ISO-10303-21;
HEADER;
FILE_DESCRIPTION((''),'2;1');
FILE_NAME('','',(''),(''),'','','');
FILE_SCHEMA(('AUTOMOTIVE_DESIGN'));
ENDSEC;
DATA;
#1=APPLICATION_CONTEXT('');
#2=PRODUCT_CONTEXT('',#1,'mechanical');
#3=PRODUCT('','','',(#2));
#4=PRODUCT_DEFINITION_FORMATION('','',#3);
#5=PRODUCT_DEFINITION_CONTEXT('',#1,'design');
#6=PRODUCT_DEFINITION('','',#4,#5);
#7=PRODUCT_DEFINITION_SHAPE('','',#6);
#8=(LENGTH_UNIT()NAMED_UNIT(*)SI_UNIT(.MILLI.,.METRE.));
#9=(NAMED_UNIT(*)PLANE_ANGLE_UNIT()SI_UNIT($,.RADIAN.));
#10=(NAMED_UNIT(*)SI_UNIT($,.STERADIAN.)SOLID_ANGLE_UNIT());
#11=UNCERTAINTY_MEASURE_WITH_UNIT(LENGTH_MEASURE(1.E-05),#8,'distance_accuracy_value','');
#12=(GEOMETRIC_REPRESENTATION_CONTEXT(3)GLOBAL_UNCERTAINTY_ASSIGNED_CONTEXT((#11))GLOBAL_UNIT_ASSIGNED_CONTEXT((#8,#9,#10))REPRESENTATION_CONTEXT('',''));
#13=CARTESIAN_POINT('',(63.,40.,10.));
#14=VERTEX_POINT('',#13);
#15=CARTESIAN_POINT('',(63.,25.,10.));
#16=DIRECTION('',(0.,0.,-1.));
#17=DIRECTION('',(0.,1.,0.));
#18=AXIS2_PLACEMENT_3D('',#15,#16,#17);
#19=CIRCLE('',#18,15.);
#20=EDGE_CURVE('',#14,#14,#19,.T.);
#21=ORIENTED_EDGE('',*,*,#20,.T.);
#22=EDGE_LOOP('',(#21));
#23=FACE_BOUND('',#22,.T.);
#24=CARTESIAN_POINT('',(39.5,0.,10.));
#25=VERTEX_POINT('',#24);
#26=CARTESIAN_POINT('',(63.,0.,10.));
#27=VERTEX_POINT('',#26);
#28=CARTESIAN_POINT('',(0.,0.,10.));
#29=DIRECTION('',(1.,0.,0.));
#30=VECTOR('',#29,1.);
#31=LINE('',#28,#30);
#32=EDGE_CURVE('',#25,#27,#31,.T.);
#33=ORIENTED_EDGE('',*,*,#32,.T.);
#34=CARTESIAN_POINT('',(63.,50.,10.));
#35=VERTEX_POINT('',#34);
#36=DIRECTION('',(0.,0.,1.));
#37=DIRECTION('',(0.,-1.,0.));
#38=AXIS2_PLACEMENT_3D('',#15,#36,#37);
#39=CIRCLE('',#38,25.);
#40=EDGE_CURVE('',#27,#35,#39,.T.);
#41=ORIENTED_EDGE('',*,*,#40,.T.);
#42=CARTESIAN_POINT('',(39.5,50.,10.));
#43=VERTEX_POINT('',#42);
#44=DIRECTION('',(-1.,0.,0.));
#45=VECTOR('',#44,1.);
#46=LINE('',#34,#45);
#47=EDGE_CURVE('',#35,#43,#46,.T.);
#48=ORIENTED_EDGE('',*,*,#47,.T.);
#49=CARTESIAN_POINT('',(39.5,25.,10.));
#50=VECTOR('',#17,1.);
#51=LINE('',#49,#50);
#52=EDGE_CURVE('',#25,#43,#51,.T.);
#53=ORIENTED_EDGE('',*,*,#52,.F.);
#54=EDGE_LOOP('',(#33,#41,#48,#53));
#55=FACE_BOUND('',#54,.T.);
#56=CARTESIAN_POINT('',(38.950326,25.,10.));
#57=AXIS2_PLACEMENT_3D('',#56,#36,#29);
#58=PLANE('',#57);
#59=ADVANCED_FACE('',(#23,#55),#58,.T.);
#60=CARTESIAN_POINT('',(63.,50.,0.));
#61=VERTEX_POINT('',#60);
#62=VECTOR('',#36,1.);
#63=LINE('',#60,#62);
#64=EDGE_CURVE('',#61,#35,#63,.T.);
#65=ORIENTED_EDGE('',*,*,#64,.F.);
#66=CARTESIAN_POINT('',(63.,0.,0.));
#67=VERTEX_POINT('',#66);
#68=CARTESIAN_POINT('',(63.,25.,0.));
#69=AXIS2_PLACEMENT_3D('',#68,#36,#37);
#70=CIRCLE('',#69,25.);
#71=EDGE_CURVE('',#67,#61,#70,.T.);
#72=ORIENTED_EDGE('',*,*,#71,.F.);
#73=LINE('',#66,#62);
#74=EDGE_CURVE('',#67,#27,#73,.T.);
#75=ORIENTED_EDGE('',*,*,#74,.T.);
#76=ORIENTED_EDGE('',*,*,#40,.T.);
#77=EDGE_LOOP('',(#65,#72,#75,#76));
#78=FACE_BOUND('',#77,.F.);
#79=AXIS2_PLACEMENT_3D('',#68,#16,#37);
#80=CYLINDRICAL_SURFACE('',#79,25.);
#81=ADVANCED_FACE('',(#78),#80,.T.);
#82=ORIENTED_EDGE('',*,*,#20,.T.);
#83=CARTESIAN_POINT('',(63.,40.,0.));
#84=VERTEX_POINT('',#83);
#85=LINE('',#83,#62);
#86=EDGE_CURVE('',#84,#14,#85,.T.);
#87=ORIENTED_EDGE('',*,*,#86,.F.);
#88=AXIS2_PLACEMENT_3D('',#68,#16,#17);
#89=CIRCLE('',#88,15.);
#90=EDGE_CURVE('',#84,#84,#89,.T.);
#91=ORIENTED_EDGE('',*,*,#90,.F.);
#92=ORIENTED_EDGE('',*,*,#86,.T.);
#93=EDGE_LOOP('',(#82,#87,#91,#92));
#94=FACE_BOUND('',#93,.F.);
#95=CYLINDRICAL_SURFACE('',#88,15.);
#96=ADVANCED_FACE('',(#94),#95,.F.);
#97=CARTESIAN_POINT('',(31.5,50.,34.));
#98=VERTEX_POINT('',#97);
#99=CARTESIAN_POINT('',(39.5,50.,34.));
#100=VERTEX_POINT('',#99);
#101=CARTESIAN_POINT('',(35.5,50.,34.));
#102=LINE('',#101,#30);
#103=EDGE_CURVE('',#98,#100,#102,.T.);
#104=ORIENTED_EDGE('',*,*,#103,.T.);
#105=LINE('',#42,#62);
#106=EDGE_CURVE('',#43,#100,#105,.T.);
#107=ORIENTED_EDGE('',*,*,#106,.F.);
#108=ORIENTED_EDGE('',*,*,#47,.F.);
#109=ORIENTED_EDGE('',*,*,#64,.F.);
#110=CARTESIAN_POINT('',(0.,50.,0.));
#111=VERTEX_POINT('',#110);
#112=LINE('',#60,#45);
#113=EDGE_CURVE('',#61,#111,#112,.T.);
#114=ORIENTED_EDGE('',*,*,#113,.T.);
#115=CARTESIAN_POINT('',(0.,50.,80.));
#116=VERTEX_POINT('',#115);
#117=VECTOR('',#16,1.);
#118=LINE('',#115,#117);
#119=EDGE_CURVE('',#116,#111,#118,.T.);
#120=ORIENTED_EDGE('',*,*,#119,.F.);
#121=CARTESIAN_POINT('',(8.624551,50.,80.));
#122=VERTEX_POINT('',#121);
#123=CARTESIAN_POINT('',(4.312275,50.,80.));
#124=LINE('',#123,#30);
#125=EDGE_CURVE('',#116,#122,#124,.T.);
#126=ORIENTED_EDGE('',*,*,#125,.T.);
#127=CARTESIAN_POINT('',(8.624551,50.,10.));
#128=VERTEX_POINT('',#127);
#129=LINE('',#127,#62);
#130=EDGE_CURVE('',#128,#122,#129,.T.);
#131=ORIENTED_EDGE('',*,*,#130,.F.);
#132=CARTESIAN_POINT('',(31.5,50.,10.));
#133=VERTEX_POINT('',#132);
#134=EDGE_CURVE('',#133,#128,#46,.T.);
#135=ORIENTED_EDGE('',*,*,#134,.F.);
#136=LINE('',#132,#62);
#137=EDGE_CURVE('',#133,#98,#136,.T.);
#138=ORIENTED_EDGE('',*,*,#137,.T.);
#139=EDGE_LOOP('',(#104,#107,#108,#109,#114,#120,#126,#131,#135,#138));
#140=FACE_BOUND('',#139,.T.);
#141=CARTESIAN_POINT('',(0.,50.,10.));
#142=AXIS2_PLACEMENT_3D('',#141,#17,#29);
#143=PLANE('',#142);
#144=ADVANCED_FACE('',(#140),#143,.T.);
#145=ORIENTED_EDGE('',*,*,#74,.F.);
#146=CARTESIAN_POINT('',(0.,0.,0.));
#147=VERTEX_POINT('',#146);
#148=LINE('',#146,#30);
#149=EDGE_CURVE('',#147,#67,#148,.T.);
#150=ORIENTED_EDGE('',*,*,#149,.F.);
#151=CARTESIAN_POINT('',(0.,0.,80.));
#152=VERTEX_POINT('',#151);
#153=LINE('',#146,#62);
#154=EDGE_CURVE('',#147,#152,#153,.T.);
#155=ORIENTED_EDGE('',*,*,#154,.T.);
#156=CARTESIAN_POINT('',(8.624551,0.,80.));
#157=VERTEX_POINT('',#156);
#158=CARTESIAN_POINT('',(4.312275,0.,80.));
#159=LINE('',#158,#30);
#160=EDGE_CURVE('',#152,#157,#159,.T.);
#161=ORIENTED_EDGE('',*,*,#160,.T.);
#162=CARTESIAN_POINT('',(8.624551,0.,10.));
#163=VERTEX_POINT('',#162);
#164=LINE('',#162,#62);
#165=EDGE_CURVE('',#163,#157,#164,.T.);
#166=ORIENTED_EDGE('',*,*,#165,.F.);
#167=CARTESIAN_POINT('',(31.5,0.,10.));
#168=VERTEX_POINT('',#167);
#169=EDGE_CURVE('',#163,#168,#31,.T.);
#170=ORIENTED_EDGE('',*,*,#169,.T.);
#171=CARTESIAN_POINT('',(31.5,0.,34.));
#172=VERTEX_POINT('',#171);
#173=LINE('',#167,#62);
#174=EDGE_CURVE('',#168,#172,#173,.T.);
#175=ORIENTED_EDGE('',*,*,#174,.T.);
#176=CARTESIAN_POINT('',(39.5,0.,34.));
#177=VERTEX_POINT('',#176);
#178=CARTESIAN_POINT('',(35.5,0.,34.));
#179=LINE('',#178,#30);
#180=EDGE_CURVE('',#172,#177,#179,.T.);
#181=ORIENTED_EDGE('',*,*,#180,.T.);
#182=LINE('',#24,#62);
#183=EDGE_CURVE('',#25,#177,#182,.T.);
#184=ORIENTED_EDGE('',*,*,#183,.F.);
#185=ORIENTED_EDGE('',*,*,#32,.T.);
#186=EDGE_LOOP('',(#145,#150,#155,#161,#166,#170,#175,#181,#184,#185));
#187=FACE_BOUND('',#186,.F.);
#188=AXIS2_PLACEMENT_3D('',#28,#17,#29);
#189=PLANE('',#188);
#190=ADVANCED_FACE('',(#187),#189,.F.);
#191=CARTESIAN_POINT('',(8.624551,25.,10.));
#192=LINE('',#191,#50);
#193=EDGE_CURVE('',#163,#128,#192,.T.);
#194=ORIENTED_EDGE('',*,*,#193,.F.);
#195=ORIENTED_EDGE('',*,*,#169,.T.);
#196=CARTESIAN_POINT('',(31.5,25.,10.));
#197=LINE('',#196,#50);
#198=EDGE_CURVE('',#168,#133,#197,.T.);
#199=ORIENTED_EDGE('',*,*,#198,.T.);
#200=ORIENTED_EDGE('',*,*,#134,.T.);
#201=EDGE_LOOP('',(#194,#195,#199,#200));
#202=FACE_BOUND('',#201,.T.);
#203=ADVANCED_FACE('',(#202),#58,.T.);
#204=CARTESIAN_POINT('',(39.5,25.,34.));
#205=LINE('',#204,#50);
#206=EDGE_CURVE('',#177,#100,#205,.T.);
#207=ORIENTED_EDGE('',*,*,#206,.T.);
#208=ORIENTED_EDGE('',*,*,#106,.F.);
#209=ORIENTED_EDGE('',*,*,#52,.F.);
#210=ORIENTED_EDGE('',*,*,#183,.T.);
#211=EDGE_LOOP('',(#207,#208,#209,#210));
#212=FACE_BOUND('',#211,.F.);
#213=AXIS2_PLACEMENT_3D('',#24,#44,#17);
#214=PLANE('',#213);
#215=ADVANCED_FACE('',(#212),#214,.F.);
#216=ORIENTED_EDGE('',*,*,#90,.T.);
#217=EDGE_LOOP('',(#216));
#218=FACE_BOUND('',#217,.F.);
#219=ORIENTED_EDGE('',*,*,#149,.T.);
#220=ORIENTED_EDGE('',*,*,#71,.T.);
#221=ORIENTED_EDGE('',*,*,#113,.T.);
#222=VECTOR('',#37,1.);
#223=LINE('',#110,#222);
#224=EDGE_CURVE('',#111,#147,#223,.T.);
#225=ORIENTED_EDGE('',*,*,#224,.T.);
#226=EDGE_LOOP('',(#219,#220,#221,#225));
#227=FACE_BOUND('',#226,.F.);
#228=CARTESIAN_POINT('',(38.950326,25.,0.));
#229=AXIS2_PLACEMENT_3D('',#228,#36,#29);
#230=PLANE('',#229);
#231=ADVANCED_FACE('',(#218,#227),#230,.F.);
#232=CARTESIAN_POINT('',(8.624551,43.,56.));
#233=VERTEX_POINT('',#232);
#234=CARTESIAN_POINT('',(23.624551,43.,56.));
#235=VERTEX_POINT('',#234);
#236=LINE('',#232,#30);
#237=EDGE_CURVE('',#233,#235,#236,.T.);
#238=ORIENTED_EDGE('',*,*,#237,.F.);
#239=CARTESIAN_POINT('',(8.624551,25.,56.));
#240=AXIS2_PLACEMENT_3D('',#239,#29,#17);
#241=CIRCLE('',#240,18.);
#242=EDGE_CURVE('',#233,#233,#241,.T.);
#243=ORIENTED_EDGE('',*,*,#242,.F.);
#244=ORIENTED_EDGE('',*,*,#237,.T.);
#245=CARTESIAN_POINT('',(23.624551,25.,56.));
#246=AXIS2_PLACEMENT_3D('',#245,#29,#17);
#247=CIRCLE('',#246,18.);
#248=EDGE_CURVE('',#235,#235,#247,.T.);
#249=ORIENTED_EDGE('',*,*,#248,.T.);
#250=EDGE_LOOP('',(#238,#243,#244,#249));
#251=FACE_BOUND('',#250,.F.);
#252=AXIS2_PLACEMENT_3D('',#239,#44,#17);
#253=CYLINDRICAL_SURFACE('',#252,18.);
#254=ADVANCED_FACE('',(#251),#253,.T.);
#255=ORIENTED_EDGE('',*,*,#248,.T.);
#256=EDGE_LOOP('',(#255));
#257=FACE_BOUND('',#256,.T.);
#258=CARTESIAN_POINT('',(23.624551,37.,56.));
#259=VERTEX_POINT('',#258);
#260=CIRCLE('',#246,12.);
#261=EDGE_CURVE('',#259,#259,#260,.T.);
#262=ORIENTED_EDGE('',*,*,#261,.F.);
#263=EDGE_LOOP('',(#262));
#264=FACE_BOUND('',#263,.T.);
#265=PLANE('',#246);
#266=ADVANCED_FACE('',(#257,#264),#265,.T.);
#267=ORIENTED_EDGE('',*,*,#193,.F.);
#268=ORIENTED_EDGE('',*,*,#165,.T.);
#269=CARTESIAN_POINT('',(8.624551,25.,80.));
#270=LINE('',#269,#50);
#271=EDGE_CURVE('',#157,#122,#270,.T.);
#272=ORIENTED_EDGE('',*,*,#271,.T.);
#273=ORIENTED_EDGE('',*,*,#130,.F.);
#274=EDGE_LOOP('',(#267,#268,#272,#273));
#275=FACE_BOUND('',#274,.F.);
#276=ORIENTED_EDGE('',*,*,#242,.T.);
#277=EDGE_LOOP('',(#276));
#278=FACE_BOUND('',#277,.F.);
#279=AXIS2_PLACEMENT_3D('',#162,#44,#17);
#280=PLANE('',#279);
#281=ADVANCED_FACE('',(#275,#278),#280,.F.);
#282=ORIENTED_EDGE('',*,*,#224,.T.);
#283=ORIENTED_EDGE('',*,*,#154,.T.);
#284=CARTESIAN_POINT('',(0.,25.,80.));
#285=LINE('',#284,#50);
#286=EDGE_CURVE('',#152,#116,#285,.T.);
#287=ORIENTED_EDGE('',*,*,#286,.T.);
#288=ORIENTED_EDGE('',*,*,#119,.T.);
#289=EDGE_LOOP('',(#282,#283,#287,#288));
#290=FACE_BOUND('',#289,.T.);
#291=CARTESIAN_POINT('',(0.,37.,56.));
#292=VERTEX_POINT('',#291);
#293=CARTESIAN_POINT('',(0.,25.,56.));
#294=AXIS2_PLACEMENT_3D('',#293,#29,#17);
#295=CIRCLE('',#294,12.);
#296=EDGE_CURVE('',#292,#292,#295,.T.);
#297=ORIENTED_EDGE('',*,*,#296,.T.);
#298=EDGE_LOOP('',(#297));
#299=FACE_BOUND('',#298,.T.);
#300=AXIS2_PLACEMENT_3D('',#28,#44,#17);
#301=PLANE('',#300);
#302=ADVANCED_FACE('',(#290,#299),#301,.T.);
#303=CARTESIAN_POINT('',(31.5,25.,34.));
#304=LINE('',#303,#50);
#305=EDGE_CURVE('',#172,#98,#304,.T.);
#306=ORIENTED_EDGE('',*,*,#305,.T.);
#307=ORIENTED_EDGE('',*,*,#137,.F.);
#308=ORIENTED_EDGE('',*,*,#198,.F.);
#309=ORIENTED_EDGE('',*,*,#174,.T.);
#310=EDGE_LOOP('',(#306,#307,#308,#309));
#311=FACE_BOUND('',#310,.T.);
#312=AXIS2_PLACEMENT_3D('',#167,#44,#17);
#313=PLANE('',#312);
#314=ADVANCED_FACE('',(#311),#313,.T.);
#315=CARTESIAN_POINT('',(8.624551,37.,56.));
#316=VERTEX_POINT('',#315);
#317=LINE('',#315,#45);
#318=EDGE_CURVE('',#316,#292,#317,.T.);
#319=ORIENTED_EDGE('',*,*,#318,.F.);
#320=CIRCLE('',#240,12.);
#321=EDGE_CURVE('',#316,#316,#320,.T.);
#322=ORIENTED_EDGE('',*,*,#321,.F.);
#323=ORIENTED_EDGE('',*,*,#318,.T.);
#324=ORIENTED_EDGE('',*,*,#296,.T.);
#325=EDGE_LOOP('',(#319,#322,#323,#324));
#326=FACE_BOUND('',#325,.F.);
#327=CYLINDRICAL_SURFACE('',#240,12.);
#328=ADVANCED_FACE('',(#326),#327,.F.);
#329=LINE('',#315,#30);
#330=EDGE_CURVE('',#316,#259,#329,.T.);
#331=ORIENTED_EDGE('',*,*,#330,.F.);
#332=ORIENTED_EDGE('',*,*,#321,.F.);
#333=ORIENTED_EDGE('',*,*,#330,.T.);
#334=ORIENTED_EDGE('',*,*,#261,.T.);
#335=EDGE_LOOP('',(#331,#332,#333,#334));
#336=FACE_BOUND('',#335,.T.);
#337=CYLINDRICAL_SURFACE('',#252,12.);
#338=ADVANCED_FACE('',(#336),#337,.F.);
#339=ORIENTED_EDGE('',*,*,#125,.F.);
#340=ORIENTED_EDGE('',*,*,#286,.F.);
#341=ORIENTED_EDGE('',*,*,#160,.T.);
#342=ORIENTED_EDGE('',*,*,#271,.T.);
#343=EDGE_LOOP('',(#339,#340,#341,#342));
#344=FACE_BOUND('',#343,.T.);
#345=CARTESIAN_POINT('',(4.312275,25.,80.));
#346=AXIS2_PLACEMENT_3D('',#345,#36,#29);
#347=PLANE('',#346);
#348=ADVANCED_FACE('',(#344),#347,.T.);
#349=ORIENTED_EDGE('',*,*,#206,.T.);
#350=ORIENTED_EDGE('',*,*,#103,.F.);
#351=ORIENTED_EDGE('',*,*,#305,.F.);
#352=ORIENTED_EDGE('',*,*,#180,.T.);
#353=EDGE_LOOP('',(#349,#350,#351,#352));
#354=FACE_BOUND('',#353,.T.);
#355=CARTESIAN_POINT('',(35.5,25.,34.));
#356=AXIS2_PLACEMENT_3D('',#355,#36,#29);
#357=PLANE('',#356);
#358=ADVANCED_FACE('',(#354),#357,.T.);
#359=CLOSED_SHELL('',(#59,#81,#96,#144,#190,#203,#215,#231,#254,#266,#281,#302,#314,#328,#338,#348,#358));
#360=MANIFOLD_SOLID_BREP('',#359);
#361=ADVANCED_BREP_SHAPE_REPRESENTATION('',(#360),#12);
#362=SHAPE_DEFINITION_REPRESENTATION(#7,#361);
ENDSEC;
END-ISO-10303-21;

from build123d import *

# Parameters (mm, degrees)
F1_DEPTH = 10
F2_W     = 8
F2_H     = 50
F3_DEPTH = 24
F4_W     = 8.6245508865
F4_H     = 50
F5_DEPTH = 70
F6_R     = 18
F6_R_2   = 12
F7_DEPTH = 15
F8_R     = 12
F9_DEPTH = 8.6245508865


with BuildPart() as f1:
    # F0 (on Top) → F1 (new body)
    with BuildSketch(Plane.XY):
        with BuildLine():
            Line((0, 50), (0, 0))
            Line((0, 0), (63, 0))
            ThreePointArc((63, 0), (88, 25), (63, 50))
            Line((63, 50), (0, 50))
        make_face()
        with BuildLine():
            ThreePointArc((78, 25), (52.3933982822, 14.3933982822), (63, 40))
            ThreePointArc((63, 40), (73.6066017178, 35.6066017178), (78, 25))
        make_face(mode=Mode.SUBTRACT)
    extrude(amount=F1_DEPTH)

    # F2 (on face) → F3 (join)
    with BuildSketch(Plane.XY.offset(10)):
        with Locations((35.5, 25)):
            Rectangle(F2_W, F2_H)
    extrude(amount=F3_DEPTH)

    # F4 (on face) → F5 (join)
    with BuildSketch(Plane.XY.offset(10)):
        with Locations((4.3122754432, 25)):
            Rectangle(F4_W, F4_H)
    extrude(amount=F5_DEPTH)

    # F6 (on face) → F7 (join)
    with BuildSketch(Plane.YZ.offset(8.6245508865)):
        with Locations((25, 56)):
            Circle(F6_R)
        with Locations((25, 56)):
            Circle(F6_R_2, mode=Mode.SUBTRACT)
    extrude(amount=F7_DEPTH)

    # F8 (on face) → F9 (cut, through all)
    with BuildSketch(Plane.YZ.offset(8.6245508865)):
        with Locations((25, 56)):
            Circle(F8_R)
    extrude(amount=-F9_DEPTH, mode=Mode.SUBTRACT)


solid = f1.part
